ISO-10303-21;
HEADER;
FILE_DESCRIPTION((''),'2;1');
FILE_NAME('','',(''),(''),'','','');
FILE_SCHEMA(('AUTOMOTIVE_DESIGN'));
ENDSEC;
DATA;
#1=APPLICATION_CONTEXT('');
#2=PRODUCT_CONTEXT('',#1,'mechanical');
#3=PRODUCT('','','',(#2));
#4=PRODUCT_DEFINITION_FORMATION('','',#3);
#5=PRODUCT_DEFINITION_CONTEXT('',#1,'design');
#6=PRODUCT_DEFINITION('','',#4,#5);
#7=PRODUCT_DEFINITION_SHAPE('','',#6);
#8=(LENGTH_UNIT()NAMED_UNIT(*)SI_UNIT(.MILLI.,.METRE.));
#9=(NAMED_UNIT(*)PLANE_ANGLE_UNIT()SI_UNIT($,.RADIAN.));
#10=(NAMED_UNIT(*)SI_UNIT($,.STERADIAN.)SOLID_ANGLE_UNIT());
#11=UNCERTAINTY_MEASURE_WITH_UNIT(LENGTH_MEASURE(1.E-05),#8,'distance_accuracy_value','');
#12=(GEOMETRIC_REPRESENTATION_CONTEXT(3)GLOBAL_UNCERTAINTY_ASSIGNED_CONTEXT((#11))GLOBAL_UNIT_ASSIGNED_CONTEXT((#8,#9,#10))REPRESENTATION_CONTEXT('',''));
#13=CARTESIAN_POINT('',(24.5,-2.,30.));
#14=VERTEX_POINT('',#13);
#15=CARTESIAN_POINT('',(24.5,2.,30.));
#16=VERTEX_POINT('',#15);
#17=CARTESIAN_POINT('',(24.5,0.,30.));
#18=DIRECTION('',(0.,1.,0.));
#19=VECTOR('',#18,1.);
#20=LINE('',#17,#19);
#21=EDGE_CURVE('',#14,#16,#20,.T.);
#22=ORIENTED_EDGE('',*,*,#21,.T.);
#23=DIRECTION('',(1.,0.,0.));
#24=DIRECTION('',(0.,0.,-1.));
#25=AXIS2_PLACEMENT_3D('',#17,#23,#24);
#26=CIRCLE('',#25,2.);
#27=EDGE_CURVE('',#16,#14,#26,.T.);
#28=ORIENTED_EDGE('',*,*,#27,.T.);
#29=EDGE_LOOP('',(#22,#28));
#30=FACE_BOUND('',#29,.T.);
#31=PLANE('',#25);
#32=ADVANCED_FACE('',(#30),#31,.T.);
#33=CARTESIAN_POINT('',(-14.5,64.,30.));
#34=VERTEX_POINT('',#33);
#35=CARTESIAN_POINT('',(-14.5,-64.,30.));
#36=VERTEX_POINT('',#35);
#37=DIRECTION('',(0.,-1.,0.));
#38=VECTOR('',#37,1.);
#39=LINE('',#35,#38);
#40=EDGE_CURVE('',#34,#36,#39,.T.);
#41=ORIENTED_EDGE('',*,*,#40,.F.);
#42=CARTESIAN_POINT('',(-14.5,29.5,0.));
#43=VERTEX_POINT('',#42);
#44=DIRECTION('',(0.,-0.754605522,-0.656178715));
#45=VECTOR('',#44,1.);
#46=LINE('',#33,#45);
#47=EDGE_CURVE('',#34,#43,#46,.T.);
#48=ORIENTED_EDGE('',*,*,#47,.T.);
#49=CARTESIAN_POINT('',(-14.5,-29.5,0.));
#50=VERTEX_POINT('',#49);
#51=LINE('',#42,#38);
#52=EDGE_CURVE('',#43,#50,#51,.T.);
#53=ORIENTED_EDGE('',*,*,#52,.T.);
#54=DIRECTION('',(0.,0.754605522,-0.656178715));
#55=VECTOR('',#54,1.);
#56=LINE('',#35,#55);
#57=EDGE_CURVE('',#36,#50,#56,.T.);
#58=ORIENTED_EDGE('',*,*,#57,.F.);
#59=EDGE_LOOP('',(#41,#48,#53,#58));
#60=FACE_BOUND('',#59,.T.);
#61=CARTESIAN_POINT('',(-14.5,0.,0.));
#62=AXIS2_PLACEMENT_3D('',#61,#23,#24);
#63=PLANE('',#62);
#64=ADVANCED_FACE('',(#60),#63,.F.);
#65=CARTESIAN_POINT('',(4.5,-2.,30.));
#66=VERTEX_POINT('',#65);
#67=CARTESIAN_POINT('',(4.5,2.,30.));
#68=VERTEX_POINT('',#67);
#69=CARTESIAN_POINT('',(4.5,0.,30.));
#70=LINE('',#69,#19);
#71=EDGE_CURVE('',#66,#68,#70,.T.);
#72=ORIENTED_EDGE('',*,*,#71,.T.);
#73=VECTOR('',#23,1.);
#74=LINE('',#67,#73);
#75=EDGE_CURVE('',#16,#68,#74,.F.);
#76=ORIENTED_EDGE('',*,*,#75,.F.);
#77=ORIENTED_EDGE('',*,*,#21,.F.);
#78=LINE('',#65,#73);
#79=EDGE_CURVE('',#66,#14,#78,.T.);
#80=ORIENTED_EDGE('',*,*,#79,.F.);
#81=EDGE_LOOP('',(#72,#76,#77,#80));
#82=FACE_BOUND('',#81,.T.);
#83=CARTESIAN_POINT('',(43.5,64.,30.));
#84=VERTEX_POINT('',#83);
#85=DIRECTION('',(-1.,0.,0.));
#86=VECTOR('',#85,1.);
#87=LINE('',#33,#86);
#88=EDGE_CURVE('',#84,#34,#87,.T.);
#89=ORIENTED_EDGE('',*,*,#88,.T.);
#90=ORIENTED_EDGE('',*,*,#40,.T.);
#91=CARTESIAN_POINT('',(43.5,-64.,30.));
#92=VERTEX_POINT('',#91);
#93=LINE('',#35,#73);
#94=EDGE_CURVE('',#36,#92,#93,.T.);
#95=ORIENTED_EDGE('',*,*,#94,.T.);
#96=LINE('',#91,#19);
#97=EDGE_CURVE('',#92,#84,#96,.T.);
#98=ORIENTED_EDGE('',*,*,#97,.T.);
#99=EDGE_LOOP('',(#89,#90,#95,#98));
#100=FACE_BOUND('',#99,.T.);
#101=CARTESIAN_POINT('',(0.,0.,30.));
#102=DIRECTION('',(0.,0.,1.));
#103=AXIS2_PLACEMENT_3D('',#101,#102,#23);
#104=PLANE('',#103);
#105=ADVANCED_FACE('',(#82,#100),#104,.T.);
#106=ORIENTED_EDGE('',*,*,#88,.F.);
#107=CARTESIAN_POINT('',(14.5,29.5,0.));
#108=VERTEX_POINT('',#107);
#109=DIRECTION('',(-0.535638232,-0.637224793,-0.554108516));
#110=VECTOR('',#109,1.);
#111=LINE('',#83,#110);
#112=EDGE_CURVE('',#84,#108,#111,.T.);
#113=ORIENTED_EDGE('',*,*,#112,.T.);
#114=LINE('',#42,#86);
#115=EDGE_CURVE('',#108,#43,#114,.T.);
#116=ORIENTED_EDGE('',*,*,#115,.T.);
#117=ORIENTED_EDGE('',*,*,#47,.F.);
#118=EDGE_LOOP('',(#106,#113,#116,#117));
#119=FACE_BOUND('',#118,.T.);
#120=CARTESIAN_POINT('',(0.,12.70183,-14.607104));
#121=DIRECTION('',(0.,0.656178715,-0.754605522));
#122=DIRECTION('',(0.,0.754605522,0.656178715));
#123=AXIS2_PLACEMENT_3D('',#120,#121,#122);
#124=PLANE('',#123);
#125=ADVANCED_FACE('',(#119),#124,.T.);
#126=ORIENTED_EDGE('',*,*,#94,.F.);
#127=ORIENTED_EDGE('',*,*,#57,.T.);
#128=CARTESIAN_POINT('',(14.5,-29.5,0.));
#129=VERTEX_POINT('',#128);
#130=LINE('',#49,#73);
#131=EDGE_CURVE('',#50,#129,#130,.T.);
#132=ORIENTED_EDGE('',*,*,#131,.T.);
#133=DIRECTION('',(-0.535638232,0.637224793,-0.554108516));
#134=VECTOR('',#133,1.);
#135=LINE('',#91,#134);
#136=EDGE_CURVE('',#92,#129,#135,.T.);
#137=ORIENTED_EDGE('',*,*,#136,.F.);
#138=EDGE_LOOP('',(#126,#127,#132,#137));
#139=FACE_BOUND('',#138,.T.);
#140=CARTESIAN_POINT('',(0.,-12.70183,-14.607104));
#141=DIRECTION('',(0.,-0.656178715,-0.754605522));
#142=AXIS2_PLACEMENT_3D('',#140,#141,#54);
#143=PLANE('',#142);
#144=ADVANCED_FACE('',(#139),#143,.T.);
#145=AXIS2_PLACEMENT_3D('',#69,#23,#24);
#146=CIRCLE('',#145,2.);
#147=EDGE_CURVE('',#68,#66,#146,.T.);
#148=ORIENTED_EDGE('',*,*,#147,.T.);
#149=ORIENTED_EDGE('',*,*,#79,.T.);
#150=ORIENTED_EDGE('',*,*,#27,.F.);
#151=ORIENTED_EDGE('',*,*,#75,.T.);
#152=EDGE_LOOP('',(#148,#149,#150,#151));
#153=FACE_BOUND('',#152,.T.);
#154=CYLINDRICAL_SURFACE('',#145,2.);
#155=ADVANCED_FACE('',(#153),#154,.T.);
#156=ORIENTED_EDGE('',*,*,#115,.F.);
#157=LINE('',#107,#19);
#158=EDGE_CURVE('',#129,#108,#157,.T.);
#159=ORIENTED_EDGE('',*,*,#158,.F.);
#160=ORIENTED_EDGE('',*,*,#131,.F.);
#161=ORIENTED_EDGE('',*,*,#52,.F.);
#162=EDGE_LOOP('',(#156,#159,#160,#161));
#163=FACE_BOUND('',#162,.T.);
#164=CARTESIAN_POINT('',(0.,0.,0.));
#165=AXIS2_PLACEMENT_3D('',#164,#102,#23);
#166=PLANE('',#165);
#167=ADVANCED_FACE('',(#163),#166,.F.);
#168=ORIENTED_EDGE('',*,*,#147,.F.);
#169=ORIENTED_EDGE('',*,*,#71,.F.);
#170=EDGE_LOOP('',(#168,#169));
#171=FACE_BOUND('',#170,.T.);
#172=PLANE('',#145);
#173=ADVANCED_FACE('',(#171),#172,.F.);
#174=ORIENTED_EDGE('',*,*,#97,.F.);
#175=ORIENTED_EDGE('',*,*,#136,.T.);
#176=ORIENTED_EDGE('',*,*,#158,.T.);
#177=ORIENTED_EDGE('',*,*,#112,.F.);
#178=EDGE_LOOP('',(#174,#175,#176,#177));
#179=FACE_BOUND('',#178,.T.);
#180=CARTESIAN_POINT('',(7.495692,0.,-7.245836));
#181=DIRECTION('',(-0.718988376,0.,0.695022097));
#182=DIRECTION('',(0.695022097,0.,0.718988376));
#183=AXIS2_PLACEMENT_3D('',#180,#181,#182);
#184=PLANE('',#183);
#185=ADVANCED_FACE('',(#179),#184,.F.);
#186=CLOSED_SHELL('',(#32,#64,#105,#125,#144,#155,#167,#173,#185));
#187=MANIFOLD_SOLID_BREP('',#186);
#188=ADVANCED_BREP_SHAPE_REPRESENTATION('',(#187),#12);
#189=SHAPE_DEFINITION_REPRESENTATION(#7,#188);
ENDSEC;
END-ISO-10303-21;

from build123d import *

# Parameters (mm, degrees)
BOSS_EXTRU_2_DEPTH      = 10
BOSS_EXTRU_2_DEPTH_BACK = 10
ESQUISSE4_R             = 2


with BuildPart() as part:
    # Esquisse2 → Lissage1 section 0
    with BuildSketch(Plane.XY.offset(30)):
        with BuildLine():
            Line((-14.5, -64), (-14.5, 64))
            Line((-14.5, 64), (43.5, 64))
            Line((43.5, 64), (43.5, -64))
            Line((43.5, -64), (-14.5, -64))
        make_face()
    # Esquisse1 → Lissage1 section 1
    with BuildSketch(Plane.XY):
        with BuildLine():
            Line((-14.5, 29.5), (14.5, 29.5))
            Line((14.5, 29.5), (14.5, -29.5))
            Line((14.5, -29.5), (-14.5, -29.5))
            Line((-14.5, -29.5), (-14.5, 29.5))
        make_face()
    loft()

    # Esquisse4 → Boss.-Extru.2 (add, two sides: drawn at the far end of the back side and taken through both)
    with BuildSketch(Plane(origin=(14.5, 0, 0), x_dir=(0, 0, -1), z_dir=(1, 0, 0)).offset(-BOSS_EXTRU_2_DEPTH_BACK)):
        with Locations((-30, 0)):
            Circle(ESQUISSE4_R)
    extrude(amount=BOSS_EXTRU_2_DEPTH + BOSS_EXTRU_2_DEPTH_BACK)


solid = part.part
